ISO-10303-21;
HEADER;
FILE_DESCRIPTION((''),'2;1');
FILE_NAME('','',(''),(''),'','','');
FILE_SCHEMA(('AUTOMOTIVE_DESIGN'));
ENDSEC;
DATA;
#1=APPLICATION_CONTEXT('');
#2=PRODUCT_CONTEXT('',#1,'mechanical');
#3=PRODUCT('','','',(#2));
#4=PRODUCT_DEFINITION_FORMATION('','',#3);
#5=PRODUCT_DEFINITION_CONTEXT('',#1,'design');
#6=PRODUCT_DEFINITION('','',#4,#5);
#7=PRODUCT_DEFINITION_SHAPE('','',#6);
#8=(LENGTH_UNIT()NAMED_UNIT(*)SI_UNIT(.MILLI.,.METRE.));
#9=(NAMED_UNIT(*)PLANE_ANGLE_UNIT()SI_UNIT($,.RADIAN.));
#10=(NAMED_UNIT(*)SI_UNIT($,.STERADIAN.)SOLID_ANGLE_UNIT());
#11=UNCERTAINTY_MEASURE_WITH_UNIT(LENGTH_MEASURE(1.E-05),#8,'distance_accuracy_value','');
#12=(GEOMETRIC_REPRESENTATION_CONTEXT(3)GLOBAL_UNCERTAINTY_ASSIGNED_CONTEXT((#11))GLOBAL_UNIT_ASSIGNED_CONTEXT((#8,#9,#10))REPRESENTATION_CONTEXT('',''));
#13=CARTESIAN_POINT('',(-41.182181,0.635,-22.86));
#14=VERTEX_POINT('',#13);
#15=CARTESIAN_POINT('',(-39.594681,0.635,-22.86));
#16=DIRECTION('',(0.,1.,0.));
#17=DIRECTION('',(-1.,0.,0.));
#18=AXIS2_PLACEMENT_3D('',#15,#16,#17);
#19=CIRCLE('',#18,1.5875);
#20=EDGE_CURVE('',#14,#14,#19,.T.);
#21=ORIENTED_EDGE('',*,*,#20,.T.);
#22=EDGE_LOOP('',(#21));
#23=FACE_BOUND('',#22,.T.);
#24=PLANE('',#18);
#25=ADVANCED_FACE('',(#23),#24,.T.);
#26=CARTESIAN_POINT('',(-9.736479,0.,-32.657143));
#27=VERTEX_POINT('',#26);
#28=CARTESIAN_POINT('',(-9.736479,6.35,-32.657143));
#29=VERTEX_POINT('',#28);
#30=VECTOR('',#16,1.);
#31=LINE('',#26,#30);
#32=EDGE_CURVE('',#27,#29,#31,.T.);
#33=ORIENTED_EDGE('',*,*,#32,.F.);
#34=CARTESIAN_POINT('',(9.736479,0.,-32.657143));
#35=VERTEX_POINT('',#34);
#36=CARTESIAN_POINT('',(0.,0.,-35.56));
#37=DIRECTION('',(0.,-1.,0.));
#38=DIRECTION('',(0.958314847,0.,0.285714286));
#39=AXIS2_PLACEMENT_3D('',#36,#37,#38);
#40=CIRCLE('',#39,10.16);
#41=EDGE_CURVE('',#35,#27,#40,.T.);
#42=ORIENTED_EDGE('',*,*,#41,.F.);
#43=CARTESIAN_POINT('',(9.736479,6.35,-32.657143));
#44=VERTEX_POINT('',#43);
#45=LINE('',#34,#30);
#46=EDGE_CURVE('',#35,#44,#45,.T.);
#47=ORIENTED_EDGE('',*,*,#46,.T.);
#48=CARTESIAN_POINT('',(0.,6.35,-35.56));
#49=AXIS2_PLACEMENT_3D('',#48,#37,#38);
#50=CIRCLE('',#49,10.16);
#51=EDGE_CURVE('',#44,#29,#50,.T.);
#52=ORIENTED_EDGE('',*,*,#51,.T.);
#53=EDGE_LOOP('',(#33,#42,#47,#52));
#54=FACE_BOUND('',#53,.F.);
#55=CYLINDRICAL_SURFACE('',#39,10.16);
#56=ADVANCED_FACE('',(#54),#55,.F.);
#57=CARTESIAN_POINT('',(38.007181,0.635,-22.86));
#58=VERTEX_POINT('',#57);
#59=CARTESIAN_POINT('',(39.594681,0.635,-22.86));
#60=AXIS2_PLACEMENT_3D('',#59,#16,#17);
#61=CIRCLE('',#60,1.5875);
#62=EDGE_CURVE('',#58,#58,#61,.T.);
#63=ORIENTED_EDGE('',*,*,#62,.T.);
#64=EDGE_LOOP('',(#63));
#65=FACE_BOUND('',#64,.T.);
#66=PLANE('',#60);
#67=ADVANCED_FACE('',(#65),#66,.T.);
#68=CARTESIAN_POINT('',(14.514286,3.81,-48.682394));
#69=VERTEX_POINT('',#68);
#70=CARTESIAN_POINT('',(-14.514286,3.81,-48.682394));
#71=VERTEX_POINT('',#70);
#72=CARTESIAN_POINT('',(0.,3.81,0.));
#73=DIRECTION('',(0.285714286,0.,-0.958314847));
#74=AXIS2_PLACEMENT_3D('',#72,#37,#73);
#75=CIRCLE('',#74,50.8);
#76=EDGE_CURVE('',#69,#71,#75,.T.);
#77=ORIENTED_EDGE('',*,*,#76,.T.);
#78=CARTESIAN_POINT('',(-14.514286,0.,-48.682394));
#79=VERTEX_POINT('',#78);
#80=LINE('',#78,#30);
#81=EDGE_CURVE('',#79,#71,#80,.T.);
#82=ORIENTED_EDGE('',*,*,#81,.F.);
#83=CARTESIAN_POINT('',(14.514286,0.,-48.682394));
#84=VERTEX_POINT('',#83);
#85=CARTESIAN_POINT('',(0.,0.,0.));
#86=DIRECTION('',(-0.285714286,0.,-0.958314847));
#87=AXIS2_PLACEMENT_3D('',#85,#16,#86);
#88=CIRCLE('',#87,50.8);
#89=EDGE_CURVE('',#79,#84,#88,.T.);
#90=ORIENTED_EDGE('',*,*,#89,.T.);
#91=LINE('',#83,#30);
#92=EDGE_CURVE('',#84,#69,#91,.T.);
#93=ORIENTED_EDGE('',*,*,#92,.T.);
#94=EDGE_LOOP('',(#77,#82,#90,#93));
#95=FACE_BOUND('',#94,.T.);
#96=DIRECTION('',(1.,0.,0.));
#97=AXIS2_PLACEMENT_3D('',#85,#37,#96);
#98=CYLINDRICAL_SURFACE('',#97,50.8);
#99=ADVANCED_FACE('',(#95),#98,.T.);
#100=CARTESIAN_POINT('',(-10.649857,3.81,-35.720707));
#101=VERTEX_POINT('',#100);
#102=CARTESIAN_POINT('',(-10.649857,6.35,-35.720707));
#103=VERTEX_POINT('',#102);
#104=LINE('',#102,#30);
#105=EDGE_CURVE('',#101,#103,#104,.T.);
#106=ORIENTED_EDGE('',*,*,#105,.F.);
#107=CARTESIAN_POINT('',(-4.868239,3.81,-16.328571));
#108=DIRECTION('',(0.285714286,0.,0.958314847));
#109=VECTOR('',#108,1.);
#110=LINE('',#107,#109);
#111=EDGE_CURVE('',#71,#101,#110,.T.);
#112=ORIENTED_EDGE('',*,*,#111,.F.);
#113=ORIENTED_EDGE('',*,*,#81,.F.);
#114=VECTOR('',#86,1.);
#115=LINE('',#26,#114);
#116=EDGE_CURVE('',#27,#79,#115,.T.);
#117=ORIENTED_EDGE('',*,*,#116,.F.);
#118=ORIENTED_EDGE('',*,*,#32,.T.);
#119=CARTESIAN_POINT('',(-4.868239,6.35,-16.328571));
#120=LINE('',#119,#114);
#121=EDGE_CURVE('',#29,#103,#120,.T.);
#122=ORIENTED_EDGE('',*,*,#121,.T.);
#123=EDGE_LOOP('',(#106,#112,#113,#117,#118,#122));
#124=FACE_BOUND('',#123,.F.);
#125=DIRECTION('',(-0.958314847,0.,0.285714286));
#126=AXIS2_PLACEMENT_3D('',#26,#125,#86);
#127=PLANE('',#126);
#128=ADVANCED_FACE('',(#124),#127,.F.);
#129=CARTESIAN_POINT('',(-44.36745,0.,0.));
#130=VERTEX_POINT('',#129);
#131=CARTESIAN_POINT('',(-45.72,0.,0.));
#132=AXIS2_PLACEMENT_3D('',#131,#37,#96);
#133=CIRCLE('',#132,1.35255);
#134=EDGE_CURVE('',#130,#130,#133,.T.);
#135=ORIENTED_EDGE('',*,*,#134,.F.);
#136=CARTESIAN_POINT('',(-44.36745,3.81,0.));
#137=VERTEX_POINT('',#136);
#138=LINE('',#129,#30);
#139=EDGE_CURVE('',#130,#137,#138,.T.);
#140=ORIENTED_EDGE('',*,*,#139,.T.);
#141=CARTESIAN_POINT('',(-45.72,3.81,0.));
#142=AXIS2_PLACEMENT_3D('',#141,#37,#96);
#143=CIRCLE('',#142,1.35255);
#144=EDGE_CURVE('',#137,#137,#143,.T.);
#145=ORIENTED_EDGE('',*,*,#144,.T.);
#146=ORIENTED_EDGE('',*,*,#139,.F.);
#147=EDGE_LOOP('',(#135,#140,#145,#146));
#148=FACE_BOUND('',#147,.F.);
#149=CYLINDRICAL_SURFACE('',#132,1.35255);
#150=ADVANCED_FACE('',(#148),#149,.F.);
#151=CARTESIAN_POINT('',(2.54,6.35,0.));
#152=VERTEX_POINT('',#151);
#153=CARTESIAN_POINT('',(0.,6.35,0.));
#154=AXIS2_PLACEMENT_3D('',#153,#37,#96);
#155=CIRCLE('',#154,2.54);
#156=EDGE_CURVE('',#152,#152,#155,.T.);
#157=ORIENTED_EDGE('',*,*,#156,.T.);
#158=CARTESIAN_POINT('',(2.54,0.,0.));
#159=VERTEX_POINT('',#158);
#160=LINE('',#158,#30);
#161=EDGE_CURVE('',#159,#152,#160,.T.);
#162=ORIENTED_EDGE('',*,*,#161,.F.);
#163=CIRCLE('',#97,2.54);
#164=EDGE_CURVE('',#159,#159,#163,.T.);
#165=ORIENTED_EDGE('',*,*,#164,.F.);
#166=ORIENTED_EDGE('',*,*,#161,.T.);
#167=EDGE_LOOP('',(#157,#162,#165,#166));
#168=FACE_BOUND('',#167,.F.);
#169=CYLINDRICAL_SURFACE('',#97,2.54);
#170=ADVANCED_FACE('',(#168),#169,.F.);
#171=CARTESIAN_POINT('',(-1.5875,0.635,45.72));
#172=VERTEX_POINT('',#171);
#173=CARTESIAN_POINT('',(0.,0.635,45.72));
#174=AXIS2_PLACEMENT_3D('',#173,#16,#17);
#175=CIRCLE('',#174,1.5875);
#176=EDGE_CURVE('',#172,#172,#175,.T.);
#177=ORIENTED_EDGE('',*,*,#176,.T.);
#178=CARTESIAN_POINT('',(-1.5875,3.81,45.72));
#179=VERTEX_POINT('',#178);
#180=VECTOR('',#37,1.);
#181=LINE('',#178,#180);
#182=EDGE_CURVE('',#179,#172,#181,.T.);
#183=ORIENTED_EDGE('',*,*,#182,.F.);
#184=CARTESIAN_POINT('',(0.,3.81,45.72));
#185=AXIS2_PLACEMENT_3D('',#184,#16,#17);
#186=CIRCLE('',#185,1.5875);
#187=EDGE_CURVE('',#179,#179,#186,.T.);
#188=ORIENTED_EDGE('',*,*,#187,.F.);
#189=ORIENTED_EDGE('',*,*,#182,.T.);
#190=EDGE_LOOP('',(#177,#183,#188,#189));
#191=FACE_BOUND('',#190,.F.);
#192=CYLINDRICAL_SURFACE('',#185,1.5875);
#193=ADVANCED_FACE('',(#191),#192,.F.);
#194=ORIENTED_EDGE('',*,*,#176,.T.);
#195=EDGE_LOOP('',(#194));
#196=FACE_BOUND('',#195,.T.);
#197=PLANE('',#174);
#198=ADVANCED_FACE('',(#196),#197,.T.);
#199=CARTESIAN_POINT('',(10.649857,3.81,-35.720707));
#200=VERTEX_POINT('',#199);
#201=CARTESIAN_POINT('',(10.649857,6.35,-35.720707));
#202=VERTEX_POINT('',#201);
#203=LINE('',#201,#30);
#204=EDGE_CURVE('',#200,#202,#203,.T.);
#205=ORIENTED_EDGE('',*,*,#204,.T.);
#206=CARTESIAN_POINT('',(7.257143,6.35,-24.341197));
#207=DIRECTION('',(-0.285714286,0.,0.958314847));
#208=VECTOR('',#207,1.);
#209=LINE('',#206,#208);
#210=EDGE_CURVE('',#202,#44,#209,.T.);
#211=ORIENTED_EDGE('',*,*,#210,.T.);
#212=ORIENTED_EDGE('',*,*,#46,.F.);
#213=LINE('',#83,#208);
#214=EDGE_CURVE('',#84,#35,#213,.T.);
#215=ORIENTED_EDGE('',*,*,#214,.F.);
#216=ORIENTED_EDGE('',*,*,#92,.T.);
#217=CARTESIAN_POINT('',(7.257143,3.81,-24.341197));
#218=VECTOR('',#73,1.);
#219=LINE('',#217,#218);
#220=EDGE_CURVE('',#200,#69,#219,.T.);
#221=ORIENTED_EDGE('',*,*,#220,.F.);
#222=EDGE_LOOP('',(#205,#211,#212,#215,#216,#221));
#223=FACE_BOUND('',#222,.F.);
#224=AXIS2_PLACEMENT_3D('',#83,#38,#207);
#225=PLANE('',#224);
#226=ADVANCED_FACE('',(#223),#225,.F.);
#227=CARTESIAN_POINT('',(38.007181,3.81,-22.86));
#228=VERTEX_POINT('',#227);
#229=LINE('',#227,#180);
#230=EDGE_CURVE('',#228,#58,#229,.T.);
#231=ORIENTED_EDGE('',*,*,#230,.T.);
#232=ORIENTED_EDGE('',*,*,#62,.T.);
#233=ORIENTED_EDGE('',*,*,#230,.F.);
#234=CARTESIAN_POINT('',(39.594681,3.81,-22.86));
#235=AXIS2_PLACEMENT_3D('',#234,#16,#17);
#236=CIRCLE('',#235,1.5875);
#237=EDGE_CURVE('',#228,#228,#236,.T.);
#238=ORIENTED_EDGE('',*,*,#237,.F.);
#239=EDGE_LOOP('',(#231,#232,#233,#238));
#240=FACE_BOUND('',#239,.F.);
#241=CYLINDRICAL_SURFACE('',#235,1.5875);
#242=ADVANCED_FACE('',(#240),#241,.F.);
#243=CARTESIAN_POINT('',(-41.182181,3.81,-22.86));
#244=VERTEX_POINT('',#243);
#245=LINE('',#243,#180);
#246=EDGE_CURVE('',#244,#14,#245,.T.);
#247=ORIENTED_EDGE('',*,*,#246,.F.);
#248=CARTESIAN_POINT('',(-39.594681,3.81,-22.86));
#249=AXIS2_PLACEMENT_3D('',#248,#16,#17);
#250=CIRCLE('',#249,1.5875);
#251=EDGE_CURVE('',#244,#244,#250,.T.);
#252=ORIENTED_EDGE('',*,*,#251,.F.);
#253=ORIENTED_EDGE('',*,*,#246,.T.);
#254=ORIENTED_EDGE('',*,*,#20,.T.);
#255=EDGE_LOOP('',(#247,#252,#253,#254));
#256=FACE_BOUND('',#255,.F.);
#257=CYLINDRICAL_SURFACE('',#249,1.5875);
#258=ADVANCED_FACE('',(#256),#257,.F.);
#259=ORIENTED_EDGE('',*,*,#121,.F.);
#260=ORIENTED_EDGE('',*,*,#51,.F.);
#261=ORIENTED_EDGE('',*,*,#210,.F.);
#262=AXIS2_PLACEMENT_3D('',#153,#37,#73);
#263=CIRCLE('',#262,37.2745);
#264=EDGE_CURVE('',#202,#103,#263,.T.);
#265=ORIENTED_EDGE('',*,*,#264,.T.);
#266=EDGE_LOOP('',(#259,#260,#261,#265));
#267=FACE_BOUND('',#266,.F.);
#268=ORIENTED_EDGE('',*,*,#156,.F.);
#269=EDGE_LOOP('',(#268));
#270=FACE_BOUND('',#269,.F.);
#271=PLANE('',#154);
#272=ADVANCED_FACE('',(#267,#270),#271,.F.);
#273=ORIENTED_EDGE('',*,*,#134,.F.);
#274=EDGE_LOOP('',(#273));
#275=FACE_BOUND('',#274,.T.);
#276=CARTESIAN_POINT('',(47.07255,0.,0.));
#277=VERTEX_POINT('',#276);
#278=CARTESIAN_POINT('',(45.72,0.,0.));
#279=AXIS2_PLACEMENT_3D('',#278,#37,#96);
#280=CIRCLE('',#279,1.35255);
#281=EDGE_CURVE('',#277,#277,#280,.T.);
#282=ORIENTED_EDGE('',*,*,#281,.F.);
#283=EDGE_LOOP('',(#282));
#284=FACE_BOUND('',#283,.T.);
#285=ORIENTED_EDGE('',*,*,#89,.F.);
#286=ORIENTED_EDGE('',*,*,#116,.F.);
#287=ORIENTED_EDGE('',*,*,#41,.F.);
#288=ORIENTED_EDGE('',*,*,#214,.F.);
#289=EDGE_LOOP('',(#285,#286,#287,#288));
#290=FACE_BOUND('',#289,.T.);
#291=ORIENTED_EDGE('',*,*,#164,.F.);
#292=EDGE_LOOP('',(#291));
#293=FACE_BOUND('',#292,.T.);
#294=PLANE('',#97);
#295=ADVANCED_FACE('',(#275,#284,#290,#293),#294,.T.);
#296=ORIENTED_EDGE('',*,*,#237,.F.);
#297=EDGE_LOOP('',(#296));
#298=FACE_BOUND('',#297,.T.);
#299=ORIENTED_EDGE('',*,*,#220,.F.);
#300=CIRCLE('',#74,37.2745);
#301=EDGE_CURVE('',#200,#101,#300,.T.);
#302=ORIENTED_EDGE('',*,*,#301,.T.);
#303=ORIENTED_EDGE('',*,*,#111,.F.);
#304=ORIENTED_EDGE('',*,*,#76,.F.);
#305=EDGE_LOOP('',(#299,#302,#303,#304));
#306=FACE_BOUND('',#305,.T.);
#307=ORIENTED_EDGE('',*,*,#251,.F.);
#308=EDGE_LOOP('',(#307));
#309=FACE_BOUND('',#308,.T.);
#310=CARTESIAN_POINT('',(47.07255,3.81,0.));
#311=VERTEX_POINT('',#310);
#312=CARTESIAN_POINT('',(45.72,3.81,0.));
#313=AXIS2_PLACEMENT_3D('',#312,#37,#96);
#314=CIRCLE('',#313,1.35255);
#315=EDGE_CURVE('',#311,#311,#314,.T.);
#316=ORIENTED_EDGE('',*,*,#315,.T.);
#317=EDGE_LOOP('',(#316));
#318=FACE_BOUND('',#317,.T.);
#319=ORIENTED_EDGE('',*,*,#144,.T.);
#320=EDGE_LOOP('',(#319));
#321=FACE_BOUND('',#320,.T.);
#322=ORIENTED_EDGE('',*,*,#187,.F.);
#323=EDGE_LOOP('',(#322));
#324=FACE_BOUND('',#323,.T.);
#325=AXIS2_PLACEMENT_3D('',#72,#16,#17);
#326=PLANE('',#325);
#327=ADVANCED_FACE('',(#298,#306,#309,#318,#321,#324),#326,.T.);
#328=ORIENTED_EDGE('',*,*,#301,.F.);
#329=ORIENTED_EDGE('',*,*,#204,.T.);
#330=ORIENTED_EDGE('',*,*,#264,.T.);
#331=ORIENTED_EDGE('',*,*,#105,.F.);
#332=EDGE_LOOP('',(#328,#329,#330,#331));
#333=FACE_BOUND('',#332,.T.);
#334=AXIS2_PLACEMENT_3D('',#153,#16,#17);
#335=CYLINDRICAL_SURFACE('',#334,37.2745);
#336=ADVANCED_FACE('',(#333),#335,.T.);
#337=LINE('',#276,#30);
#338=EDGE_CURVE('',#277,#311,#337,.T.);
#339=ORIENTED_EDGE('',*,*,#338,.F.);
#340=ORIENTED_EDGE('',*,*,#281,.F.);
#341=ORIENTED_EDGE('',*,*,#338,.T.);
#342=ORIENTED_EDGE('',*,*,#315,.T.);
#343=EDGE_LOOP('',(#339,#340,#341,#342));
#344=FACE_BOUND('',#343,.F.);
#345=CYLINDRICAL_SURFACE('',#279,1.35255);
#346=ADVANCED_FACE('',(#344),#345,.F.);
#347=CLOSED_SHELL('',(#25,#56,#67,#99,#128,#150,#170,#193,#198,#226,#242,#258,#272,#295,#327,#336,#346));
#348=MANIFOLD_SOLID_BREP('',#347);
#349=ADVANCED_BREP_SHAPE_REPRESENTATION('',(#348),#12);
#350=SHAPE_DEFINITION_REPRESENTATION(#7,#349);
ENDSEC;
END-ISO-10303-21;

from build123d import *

# Parameters (mm, degrees)
F0_R     = 50.8
F1_DEPTH = 6.35
F2_R     = 50.8
F2_R_2   = 37.2745
F3_DEPTH = 2.54
F4_R     = 2.54
F4_R_2   = 1.35255
F5_DEPTH = 6.351
F7_DEPTH = 6.351
F8_R     = 1.5875
F9_DEPTH = 3.175


with BuildPart() as f1:
    # F0 (on Front) → F1 (new body)
    with BuildSketch(Plane.XZ):
        Circle(F0_R)
    extrude(amount=-F1_DEPTH)

    # F2 (on face) → F3 (cut)
    with BuildSketch(Plane(origin=(0, 6.35, 0), x_dir=(-1, 0, 0), z_dir=(0, 1, 0))):
        Circle(F2_R)
        Circle(F2_R_2, mode=Mode.SUBTRACT)
    extrude(amount=-F3_DEPTH, mode=Mode.SUBTRACT)

    # F4 (on face) → F5 (cut, through all)
    with BuildSketch(Plane.XZ):
        Circle(F4_R)
        with Locations((-45.72, 0)):
            Circle(F4_R_2)
        with Locations((45.72, 0)):
            Circle(F4_R_2)
    extrude(amount=-F5_DEPTH, mode=Mode.SUBTRACT)

    # F6 (on face) → F7 (cut, through all)
    with BuildSketch(Plane.XZ):
        with BuildLine():
            ThreePointArc((9.7364788506, -32.6571428571), (0, -25.4), (-9.7364788506, -32.6571428571))
            Line((-9.7364788506, -32.6571428571), (-14.5142857143, -48.682394253))
            ThreePointArc((-14.5142857143, -48.682394253), (0, -50.8), (14.5142857143, -48.682394253))
            Line((14.5142857143, -48.682394253), (9.7364788506, -32.6571428571))
        make_face()
    extrude(amount=-F7_DEPTH, mode=Mode.SUBTRACT)

    # F8 (on face) → F9 (cut)
    with BuildSketch(Plane(origin=(0, 3.81, 0), x_dir=(-1, 0, 0), z_dir=(0, 1, 0))):
        with Locations((0, 45.72)):
            Circle(F8_R)
        with Locations((39.594681461, -22.86)):
            Circle(F8_R)
        with Locations((-39.594681461, -22.86)):
            Circle(F8_R)
    extrude(amount=-F9_DEPTH, mode=Mode.SUBTRACT)


solid = f1.part
